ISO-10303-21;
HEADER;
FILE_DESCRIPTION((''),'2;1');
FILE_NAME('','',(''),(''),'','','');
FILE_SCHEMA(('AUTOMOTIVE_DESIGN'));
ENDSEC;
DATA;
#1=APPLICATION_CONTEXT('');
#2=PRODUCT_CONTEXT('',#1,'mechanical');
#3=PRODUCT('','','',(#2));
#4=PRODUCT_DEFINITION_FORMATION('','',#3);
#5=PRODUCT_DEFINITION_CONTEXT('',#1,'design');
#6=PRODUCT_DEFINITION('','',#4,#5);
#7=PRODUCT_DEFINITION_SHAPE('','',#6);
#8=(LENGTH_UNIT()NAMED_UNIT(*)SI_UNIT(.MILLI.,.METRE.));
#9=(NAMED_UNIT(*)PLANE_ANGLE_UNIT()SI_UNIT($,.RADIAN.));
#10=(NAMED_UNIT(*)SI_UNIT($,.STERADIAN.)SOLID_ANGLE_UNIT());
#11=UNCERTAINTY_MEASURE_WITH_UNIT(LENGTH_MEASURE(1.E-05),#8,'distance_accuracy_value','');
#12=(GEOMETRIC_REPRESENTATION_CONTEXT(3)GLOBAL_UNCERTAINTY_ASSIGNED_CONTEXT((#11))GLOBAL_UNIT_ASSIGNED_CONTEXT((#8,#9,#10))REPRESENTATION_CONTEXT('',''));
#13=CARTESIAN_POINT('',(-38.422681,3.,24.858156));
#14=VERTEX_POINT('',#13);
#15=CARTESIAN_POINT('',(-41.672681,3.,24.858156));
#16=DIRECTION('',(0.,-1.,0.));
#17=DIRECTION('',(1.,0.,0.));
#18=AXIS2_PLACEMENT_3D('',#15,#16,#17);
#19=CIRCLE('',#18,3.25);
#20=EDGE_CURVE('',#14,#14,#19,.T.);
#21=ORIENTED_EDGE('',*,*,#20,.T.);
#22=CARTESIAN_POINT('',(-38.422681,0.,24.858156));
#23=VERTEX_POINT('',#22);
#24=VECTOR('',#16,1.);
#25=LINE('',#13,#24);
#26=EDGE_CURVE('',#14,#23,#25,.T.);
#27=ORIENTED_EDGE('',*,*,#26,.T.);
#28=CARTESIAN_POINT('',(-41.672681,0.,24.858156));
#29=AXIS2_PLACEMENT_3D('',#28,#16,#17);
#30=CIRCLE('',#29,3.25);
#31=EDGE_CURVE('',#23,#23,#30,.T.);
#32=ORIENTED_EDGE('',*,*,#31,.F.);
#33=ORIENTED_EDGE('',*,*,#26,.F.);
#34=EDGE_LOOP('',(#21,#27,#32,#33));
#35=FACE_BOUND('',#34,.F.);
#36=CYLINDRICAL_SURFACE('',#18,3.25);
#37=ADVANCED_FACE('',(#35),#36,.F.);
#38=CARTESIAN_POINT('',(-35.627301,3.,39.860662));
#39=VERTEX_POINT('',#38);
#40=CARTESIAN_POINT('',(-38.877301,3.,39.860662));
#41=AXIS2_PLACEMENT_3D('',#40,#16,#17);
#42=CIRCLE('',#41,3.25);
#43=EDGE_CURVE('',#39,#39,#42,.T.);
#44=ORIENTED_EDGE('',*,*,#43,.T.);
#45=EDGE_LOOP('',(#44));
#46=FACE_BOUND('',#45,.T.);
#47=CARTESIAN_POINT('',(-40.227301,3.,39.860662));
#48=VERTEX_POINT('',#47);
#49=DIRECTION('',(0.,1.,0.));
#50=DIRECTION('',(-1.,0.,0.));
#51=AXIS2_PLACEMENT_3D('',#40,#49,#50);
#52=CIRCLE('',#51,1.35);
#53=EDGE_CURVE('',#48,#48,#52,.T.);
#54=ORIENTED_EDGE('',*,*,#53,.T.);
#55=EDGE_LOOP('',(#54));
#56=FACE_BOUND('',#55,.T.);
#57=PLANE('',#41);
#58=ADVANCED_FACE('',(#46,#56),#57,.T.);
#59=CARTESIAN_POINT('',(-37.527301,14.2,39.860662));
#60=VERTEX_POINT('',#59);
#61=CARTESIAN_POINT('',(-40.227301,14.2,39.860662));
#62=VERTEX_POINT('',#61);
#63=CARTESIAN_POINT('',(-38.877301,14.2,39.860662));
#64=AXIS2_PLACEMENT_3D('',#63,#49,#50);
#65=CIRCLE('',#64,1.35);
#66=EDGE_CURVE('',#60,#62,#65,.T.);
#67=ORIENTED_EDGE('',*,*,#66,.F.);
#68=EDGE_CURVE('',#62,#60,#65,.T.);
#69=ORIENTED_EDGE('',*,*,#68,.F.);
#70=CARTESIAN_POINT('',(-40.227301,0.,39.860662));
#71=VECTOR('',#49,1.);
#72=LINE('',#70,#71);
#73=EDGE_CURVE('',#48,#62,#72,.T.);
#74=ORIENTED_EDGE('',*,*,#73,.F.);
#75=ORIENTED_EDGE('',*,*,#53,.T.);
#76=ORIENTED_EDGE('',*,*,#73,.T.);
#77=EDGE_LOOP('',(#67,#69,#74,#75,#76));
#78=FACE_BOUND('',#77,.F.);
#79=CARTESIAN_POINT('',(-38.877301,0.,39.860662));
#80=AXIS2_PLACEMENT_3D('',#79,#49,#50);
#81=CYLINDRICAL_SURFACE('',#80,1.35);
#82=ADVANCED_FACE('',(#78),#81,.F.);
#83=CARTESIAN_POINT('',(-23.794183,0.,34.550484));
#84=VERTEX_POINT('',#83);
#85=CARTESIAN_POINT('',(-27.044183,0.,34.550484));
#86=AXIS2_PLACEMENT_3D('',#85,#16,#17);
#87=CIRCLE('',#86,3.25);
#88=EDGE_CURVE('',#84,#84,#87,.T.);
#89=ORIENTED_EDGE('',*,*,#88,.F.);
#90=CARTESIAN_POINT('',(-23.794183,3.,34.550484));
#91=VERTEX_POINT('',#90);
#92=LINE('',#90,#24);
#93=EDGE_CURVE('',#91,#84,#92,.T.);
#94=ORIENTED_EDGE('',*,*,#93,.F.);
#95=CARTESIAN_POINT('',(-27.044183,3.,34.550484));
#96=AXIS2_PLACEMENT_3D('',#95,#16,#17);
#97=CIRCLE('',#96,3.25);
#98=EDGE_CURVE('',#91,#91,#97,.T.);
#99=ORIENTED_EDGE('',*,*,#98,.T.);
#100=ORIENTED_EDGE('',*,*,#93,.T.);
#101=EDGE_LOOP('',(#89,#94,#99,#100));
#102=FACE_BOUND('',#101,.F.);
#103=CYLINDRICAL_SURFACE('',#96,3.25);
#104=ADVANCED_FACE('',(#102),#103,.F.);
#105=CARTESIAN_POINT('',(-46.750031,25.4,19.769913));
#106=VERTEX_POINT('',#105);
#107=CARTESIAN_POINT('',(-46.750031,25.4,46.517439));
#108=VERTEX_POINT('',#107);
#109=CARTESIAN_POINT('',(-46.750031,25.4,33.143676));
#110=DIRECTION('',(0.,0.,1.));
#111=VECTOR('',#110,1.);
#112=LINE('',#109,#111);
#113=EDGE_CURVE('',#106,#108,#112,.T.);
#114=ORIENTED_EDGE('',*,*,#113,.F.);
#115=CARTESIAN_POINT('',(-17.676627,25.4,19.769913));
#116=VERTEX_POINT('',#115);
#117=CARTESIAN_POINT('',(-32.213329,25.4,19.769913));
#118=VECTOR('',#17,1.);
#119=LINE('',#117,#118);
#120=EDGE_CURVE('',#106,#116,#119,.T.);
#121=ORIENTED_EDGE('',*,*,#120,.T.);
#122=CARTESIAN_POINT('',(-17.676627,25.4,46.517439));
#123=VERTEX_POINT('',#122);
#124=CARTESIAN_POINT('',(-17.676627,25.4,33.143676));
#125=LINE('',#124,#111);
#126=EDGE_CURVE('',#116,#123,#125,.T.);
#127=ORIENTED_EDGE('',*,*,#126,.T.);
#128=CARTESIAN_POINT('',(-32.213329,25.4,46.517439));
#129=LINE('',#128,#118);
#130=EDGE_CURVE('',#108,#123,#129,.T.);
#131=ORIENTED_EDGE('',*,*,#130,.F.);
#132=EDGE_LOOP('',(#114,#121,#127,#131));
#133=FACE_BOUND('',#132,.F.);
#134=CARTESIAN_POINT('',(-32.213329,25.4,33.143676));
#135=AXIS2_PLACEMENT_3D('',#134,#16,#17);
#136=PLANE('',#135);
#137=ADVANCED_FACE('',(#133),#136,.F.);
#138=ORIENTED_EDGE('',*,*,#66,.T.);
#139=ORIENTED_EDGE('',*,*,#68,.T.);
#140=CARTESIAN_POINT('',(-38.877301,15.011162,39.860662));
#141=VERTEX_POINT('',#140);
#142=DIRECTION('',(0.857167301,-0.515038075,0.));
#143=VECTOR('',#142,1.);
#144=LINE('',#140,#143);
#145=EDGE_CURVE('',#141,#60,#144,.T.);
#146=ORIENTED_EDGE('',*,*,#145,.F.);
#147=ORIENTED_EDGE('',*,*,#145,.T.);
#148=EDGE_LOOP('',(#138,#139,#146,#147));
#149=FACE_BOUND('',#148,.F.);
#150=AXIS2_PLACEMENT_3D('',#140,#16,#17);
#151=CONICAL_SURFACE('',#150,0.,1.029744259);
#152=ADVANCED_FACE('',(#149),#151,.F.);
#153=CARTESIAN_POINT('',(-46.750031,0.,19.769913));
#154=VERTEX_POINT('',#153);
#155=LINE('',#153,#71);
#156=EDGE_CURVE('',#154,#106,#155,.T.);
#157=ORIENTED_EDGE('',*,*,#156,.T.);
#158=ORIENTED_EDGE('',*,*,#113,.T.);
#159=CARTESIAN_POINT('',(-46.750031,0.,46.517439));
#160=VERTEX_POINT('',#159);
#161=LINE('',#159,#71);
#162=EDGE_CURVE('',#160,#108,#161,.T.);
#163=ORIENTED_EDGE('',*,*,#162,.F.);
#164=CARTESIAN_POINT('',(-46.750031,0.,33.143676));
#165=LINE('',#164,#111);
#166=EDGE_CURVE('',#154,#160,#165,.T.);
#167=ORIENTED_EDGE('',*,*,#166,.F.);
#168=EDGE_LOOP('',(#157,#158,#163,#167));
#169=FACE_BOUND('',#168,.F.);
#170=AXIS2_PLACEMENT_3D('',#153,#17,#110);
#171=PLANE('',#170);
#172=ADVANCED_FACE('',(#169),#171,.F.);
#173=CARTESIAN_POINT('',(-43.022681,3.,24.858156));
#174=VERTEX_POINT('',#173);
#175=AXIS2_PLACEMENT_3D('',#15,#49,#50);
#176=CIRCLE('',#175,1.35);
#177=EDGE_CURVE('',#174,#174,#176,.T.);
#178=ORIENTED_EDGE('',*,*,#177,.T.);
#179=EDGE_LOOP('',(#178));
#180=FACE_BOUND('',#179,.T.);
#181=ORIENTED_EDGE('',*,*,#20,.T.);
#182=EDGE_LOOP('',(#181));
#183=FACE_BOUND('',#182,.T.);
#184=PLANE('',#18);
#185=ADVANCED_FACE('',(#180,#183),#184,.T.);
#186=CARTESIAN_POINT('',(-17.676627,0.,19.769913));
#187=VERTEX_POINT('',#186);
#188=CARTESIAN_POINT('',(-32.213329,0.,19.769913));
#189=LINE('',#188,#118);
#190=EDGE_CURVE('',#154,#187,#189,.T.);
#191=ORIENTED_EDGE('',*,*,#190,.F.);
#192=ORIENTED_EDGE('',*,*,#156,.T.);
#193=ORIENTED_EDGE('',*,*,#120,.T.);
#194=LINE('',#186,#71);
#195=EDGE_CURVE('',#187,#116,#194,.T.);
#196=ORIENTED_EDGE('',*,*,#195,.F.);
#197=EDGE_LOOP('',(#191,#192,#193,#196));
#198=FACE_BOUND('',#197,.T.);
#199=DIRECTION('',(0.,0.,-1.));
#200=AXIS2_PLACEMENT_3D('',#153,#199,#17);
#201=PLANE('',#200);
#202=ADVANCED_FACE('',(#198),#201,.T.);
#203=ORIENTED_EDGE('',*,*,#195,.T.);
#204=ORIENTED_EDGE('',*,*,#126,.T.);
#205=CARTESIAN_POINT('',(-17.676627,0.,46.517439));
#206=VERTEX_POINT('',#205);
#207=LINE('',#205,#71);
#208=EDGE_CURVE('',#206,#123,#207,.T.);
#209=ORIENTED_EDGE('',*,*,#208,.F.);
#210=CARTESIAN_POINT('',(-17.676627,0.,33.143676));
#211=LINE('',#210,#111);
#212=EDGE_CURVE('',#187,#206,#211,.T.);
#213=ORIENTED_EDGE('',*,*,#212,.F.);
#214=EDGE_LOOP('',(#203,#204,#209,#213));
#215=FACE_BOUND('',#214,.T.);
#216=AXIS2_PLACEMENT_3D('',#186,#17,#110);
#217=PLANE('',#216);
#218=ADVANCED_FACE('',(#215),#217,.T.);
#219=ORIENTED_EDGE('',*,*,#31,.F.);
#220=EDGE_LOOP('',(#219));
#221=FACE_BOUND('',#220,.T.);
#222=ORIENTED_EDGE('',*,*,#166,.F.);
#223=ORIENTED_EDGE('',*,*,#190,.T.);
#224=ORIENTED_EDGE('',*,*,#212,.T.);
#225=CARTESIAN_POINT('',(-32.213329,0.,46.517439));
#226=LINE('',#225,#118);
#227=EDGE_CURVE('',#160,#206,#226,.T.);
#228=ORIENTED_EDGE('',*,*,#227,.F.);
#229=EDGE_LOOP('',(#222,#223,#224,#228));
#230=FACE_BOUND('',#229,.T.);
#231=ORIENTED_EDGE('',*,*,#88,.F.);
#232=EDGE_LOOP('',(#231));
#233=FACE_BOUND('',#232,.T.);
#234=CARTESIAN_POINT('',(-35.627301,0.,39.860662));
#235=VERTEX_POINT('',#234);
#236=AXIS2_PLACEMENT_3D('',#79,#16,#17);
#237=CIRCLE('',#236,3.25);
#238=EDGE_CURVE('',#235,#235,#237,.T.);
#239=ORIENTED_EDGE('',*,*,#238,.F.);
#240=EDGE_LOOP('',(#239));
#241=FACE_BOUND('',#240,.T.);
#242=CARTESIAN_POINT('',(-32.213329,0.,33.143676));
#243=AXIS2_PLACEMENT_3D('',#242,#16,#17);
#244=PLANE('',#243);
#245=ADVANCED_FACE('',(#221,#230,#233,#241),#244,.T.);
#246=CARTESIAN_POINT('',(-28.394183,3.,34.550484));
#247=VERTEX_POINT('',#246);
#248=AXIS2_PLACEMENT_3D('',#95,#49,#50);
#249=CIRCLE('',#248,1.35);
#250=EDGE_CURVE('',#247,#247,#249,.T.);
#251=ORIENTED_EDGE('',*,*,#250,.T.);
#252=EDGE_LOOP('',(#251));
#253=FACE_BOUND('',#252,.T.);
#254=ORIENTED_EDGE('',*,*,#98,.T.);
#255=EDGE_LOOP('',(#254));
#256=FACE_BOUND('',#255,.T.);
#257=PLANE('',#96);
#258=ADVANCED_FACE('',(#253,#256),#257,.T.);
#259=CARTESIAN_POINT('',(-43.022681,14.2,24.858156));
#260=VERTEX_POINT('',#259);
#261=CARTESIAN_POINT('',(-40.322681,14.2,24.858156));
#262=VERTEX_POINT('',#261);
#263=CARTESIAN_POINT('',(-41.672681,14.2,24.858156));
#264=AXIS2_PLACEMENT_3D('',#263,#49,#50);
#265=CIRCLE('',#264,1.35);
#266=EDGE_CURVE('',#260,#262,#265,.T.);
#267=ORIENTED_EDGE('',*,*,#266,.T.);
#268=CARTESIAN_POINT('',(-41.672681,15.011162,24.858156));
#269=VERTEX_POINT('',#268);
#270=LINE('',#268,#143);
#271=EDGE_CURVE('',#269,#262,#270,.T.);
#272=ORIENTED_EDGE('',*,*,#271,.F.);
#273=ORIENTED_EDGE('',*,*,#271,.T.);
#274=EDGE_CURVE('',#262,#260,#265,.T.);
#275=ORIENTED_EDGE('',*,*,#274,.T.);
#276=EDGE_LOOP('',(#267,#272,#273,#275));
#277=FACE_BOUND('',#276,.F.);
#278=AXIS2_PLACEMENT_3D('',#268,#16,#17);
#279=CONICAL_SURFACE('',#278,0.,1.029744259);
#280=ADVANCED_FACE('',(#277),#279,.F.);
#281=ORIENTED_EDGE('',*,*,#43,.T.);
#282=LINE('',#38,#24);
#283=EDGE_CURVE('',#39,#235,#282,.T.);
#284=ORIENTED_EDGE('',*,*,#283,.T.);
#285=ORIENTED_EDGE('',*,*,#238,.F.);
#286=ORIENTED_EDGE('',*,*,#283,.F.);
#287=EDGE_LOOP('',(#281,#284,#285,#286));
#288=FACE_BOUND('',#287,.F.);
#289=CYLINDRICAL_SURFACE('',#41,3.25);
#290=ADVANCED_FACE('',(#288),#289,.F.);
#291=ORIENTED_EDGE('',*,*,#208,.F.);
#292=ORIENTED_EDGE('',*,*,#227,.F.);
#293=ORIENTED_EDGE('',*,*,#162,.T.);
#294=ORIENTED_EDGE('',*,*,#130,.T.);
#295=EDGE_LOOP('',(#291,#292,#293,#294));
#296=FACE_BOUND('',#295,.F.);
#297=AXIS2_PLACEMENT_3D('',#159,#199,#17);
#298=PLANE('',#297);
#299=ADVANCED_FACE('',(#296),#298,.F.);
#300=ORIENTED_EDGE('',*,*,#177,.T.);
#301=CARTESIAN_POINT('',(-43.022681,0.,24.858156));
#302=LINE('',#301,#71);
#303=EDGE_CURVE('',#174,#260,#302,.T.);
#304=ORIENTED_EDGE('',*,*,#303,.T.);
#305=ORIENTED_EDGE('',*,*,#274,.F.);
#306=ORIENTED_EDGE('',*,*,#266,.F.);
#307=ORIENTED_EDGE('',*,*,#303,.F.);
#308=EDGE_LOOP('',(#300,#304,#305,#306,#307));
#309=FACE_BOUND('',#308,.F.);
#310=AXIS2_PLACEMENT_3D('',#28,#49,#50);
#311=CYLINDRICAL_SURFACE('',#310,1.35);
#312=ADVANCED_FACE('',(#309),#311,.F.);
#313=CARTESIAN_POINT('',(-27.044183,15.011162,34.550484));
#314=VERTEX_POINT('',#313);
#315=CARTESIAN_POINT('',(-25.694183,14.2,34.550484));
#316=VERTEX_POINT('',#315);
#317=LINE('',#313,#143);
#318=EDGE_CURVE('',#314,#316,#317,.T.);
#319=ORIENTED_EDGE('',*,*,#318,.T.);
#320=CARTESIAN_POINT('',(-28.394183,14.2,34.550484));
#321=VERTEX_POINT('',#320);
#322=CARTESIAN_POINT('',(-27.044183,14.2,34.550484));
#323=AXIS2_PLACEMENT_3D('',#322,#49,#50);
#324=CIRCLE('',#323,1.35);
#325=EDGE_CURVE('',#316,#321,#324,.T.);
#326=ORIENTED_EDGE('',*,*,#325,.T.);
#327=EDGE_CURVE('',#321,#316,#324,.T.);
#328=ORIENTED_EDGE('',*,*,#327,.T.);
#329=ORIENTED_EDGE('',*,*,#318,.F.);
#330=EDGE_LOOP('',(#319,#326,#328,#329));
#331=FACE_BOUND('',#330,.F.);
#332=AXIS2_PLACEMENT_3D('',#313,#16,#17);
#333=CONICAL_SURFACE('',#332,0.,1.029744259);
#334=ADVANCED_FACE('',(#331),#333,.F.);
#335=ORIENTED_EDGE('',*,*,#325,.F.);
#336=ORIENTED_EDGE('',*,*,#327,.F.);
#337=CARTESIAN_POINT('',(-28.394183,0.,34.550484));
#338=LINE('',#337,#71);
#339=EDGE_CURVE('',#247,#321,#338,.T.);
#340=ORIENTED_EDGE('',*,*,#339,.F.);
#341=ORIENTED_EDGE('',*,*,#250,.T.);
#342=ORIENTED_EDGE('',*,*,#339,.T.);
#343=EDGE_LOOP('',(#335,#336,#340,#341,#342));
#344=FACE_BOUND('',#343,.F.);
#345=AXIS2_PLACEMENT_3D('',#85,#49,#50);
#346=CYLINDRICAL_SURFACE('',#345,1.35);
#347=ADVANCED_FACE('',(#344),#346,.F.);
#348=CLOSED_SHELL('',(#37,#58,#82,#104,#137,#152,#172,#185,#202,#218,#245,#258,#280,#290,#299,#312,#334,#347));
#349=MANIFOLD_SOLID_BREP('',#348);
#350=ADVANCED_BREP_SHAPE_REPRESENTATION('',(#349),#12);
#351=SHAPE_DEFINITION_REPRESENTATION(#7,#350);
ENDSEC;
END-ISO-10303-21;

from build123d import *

# Parameters (mm, degrees)
F0_W           = 29.0734041482
F0_H           = 26.747526601
F1_DEPTH       = 25.4
F2_D           = 2.7
F2_DEPTH       = 14.2
F2_CBORE_D     = 6.5
F2_CBORE_DEPTH = 3
F2_TIP         = 0.8111618357


with BuildPart() as f1:
    # F0 (on Front) → F1 (new body)
    with BuildSketch(Plane.XZ):
        with Locations((-32.2133293375, 33.1436758861)):
            Rectangle(F0_W, F0_H)
    extrude(amount=-F1_DEPTH)

    # F2
    with Locations(Plane.XZ):
        with Locations((-27.0441826433, 34.5504842699), (-41.672680527, 24.8581562191), (-38.8773009181, 39.8606620729)):
            CounterBoreHole(F2_D / 2, F2_CBORE_D / 2, F2_CBORE_DEPTH, depth=F2_DEPTH)
            with Locations((0, 0, -(F2_DEPTH + F2_TIP / 2))):  # 118° drill point
                Cone(0, F2_D / 2, F2_TIP, mode=Mode.SUBTRACT)


solid = f1.part
